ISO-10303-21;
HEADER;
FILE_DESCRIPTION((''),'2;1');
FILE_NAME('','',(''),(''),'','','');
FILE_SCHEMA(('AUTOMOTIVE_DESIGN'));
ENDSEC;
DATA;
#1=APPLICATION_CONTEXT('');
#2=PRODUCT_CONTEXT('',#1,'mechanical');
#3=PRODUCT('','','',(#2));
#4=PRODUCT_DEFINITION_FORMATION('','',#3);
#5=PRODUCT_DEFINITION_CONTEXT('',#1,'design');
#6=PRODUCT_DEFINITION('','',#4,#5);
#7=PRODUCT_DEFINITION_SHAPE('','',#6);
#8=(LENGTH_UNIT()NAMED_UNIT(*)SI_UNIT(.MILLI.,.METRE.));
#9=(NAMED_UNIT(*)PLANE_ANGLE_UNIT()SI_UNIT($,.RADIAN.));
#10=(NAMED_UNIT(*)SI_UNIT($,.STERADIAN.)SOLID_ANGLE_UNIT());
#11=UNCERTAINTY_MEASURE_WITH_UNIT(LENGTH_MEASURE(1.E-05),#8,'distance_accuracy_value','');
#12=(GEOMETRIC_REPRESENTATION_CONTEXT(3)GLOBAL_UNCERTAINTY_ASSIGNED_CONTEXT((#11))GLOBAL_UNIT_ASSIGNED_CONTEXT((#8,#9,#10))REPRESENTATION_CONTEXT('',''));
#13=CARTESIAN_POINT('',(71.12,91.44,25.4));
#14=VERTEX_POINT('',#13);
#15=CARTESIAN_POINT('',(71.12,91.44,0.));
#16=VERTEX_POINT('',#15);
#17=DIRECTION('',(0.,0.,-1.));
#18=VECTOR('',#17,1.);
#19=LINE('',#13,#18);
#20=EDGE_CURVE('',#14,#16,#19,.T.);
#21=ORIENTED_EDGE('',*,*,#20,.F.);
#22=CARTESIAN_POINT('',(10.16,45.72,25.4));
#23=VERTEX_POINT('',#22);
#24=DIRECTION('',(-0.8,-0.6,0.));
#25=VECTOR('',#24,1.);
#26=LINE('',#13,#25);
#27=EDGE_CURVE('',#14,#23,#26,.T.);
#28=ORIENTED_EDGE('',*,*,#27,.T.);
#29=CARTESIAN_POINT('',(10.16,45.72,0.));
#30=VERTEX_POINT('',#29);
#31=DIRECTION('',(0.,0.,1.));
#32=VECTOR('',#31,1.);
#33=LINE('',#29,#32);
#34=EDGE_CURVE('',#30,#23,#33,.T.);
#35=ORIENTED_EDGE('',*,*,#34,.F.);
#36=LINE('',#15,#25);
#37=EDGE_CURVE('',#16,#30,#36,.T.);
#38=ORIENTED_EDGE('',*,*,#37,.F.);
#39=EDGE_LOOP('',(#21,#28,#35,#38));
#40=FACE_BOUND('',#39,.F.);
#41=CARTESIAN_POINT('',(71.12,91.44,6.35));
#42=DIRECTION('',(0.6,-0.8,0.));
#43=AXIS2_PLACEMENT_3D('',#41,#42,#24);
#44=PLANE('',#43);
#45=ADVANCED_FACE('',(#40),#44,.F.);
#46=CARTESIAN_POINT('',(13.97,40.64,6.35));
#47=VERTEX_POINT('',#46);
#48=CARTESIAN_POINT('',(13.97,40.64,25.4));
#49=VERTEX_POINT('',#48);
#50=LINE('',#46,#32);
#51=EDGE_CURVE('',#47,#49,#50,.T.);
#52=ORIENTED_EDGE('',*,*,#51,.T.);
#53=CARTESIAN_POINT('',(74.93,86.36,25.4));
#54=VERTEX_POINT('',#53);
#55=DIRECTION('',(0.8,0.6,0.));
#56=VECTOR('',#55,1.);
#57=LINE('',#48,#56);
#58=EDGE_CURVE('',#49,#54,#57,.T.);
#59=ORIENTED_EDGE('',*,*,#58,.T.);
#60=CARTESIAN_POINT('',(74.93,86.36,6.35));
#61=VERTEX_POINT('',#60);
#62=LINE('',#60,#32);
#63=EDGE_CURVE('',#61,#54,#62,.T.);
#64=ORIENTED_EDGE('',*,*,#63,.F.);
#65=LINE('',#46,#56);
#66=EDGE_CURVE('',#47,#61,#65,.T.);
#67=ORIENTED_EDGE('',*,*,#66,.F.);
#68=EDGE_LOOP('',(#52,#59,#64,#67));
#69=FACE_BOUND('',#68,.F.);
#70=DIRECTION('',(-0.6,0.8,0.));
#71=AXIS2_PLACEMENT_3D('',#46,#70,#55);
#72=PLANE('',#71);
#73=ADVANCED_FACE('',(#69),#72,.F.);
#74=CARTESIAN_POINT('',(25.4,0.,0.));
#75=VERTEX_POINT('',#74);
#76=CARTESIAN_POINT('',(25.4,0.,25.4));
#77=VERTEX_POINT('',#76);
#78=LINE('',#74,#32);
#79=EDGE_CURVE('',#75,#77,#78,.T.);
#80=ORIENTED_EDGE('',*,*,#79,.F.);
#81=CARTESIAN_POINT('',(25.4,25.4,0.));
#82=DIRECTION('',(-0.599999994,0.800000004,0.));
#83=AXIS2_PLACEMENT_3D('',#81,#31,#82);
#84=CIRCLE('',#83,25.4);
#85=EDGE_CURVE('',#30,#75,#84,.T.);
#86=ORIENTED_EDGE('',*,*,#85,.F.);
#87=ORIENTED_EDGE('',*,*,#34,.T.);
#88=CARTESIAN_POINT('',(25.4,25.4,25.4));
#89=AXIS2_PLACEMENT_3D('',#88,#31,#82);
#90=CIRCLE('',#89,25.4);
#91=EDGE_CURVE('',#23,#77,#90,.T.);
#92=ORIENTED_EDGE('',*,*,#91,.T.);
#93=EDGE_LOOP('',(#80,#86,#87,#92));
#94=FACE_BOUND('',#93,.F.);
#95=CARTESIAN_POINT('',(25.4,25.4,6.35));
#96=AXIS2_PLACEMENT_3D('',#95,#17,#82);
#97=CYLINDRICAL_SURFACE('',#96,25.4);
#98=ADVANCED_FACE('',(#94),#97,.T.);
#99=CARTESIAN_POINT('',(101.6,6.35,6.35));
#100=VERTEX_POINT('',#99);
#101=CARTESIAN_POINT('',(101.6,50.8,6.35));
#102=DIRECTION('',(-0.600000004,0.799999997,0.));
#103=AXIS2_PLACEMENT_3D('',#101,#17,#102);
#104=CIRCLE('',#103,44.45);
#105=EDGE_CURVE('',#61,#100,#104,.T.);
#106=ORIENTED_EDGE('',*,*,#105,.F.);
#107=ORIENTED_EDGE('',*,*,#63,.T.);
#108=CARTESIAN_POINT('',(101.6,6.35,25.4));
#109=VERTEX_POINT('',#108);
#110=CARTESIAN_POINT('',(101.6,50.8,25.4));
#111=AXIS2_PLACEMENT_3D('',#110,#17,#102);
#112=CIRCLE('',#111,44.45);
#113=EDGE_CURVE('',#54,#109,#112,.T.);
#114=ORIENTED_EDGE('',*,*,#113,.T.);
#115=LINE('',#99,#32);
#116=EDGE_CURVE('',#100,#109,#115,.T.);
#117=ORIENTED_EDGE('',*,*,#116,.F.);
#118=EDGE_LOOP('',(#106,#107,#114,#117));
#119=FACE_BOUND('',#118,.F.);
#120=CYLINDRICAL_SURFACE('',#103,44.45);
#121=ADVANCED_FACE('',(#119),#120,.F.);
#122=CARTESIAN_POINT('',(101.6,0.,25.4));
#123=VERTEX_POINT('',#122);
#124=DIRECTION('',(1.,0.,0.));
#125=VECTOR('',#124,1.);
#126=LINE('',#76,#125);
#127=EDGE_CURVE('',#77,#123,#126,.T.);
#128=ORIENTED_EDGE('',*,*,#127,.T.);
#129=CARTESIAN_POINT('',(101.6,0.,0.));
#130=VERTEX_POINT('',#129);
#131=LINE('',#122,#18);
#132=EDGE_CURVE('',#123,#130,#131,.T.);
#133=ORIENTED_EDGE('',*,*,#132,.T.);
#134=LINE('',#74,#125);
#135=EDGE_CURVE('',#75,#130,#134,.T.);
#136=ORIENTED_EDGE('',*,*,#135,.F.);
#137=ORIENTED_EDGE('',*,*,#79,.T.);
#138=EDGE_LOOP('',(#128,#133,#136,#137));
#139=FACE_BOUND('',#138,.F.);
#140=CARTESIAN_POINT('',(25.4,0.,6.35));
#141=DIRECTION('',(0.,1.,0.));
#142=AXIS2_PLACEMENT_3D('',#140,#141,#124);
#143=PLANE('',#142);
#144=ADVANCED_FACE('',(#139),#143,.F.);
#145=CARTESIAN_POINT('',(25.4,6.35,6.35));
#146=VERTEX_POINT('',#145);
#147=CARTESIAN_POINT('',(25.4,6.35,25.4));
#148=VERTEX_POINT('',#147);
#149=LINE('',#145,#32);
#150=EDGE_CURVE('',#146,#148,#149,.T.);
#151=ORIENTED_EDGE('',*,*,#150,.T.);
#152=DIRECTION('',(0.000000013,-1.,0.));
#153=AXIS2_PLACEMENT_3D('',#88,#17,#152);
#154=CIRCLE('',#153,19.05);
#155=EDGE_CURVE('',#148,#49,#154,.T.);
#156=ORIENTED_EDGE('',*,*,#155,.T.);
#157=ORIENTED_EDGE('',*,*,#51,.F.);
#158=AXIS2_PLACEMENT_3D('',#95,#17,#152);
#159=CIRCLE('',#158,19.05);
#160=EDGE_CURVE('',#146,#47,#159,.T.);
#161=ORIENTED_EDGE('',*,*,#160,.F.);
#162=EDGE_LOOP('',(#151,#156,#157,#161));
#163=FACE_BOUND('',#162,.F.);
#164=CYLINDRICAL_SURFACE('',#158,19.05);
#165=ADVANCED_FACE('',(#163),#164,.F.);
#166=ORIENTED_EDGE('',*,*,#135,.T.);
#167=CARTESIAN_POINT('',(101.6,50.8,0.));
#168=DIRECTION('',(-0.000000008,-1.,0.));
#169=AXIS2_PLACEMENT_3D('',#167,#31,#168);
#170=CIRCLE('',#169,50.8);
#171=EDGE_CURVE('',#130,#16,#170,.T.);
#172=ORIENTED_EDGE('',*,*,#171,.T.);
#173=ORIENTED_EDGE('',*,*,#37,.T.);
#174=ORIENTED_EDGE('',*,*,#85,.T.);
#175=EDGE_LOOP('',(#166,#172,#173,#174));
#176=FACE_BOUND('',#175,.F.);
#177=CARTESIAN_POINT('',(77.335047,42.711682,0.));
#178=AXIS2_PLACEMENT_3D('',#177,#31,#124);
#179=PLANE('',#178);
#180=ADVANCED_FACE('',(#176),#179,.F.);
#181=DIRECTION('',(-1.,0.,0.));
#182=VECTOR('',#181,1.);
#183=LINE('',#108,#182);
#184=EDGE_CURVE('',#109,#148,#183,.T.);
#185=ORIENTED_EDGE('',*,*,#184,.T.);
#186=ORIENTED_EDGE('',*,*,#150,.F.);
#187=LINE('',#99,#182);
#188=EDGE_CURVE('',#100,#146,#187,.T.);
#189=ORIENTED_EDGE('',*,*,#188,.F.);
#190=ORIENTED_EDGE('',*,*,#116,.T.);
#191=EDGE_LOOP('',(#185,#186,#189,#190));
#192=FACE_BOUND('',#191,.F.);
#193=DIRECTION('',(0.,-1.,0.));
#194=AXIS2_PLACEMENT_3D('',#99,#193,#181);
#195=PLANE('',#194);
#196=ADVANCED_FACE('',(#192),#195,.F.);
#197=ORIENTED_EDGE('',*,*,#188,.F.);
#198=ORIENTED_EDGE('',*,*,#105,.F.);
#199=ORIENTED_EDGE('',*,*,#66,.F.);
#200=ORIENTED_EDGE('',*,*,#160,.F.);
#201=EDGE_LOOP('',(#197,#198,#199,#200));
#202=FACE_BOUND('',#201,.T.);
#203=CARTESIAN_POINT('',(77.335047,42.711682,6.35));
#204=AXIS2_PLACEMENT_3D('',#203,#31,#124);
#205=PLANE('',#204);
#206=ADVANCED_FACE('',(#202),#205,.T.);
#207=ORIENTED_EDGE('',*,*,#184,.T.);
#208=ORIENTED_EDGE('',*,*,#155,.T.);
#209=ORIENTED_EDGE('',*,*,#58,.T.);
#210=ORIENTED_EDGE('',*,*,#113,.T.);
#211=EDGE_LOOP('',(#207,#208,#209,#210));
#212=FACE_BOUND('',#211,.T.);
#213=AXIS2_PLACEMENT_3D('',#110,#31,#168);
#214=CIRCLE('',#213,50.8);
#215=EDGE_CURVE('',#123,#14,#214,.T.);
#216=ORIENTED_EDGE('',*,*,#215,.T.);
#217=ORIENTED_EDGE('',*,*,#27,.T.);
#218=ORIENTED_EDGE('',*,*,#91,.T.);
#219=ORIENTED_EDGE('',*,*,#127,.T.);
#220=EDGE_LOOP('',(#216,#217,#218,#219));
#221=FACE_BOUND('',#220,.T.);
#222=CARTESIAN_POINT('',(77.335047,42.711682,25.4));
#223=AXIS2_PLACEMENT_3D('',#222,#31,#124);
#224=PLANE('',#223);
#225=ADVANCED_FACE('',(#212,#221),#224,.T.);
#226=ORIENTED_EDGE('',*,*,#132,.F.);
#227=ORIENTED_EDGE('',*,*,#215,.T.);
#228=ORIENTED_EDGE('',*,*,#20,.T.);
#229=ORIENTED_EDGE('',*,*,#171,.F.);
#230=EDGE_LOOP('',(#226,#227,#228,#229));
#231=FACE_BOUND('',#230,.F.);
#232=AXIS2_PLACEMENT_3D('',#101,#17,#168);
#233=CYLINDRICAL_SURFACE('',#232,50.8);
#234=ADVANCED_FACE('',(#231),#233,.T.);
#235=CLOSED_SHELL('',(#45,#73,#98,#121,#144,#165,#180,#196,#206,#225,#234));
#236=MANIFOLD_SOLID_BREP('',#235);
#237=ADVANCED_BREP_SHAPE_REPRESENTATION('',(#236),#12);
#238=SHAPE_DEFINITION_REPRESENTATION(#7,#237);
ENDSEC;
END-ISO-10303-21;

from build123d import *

# Parameters (mm, degrees)
F1_DEPTH = 6.35
F4_DEPTH = 19.05


with BuildPart() as f1:
    # F0 (on Top) → F1 (new body)
    with BuildSketch(Plane.XY):
        with BuildLine():
            Line((71.12, 91.44), (10.16, 45.72))
            ThreePointArc((10.16, 45.72), (1.303444, 17.367815), (25.4, 0))
            Line((25.4, 0), (101.6, 0))
            ThreePointArc((101.6, 0), (149.793112, 66.864371), (71.12, 91.44))
        make_face()
    extrude(amount=F1_DEPTH)

    # F3 (on face) → F4 (join)
    with BuildSketch(Plane.XY.offset(6.35)):
        with BuildLine():
            Line((71.12, 91.44), (10.16, 45.72))
            ThreePointArc((10.16, 45.72), (1.303444, 17.367815), (25.4, 0))
            Line((25.4, 0), (101.6, 0))
            ThreePointArc((101.6, 0), (149.793112, 66.864371), (71.12, 91.44))
        make_face()
        with BuildLine():
            ThreePointArc((25.4, 6.35), (7.327583, 19.375861), (13.97, 40.64))
            Line((13.97, 40.64), (74.93, 86.36))
            ThreePointArc((74.93, 86.36), (143.768973, 64.856324), (101.6, 6.35))
            Line((101.6, 6.35), (25.4, 6.35))
        make_face(mode=Mode.SUBTRACT)
    extrude(amount=F4_DEPTH)


solid = f1.part
